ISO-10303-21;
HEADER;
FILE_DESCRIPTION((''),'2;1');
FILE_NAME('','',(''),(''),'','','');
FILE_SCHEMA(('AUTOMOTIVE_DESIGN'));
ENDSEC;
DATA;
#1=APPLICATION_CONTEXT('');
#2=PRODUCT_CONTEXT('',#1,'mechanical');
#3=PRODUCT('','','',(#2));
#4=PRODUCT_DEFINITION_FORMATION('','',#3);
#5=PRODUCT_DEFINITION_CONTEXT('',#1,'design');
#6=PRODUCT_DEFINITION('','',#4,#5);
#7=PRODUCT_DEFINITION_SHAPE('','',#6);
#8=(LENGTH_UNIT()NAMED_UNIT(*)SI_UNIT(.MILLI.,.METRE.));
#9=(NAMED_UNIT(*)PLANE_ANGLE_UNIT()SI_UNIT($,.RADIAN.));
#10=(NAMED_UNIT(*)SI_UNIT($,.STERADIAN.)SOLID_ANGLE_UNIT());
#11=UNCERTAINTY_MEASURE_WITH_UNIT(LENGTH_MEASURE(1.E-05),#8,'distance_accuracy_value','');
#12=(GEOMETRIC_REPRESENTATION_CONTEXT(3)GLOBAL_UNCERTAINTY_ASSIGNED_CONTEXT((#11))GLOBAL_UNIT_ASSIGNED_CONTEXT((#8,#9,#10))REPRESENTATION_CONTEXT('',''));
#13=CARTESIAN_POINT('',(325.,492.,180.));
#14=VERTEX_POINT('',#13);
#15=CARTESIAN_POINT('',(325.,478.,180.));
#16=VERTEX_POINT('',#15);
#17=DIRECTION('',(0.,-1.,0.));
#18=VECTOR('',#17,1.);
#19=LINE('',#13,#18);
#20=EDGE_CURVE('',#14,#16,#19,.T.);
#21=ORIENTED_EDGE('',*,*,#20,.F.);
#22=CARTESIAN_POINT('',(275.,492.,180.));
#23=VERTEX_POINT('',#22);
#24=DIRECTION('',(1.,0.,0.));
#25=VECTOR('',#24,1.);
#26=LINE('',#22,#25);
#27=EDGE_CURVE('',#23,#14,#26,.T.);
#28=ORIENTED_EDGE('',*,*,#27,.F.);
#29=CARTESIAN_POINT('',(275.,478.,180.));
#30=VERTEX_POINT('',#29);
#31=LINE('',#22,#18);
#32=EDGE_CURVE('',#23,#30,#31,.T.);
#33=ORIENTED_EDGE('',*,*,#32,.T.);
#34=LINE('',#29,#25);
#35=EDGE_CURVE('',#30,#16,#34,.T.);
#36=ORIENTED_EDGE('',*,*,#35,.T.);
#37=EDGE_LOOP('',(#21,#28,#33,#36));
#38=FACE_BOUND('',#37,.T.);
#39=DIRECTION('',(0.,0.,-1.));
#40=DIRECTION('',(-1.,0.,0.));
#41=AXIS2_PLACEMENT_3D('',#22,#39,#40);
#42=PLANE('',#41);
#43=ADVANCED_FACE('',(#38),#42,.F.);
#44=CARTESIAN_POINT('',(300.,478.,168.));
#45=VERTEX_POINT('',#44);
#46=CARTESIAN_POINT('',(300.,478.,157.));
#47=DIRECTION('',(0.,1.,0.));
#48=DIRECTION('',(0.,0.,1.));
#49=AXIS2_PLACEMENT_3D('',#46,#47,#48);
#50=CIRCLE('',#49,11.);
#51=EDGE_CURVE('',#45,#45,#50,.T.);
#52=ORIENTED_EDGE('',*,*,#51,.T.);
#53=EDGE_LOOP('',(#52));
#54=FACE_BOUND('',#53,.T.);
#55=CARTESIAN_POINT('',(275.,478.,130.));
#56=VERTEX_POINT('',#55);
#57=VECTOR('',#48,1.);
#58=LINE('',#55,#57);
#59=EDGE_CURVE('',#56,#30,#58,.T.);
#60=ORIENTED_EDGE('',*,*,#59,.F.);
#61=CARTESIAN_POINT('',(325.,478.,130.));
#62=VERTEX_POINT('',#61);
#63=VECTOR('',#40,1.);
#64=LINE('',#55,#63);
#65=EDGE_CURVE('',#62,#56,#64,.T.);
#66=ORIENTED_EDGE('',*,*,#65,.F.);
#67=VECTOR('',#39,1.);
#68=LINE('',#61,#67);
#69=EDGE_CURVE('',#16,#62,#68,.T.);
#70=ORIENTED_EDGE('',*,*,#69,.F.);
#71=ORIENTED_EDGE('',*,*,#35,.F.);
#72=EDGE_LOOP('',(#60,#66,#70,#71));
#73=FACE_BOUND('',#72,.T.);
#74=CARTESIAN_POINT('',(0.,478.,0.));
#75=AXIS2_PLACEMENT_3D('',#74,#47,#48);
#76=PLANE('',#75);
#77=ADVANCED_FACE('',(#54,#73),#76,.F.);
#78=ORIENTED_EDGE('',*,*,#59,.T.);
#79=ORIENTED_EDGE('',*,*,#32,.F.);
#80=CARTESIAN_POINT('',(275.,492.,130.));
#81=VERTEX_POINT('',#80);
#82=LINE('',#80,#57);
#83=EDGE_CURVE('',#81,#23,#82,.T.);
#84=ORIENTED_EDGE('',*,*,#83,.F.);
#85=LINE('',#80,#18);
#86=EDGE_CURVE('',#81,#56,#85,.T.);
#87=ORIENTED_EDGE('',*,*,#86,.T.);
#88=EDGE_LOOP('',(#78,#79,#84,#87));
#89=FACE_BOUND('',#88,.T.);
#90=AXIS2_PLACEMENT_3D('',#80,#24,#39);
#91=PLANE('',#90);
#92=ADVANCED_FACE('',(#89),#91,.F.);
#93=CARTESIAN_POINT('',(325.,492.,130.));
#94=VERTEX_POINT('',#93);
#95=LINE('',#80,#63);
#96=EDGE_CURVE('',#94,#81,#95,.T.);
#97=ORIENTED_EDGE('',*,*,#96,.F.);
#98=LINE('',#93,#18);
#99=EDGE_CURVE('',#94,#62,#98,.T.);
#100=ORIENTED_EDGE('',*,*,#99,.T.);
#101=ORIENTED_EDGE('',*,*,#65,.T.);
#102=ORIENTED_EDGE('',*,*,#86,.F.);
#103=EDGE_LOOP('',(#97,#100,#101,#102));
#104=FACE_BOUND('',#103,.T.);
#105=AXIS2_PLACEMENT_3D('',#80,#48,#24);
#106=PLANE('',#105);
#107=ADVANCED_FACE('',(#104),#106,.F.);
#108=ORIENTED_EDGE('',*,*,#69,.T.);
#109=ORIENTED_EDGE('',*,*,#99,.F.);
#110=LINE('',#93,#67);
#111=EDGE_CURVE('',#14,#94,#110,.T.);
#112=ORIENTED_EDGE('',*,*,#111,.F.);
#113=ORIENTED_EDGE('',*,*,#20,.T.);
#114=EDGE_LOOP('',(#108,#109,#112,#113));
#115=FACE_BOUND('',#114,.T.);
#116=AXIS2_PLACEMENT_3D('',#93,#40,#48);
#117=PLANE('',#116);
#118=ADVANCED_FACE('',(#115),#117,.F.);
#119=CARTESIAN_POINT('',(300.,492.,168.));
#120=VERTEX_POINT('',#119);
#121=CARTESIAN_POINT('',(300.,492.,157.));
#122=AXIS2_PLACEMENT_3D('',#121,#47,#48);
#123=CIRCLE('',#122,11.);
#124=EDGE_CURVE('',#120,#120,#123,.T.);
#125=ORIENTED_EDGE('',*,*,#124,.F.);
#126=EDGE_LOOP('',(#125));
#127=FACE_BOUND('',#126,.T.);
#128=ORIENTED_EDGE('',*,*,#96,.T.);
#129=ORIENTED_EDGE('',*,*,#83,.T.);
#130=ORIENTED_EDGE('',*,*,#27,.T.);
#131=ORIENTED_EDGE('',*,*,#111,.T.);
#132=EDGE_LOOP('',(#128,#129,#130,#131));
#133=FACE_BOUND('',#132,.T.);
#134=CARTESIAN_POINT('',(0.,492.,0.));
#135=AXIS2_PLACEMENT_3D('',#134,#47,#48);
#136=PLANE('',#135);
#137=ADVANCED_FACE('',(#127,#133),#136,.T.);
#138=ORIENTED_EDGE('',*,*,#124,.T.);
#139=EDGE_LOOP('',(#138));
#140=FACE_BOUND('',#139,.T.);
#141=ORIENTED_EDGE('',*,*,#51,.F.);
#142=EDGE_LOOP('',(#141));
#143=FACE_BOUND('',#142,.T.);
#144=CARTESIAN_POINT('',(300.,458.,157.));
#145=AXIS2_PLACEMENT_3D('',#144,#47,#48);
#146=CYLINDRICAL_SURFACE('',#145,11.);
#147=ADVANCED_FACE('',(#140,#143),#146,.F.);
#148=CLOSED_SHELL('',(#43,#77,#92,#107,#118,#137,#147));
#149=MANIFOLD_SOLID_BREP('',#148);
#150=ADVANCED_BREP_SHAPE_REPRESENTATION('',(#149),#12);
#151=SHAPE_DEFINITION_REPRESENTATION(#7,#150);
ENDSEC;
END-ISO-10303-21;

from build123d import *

# Parameters (mm, degrees)
SKETCH1_W           = 50
SKETCH1_H           = 50
BOSS_EXTRUDE1_DEPTH = 14
SKETCH2_R           = 11
CUT_EXTRUDE1_DEPTH  = 34


with BuildPart() as part:
    # Sketch1 → Boss-Extrude1 (new body)
    with BuildSketch(Plane(origin=(0, 478, 0), x_dir=(1, 0, 0), z_dir=(0, 1, 0))):
        with Locations((300, -155)):
            Rectangle(SKETCH1_W, SKETCH1_H)
    extrude(amount=BOSS_EXTRUDE1_DEPTH)

    # Sketch2 → Cut-Extrude1 (cut)
    with BuildSketch(Plane(origin=(0, 492, 0), x_dir=(1, 0, 0), z_dir=(0, 1, 0))):
        with Locations(Location((300, -157, 0), (0, 0, 270))):
            Circle(SKETCH2_R)
    extrude(amount=-CUT_EXTRUDE1_DEPTH, mode=Mode.SUBTRACT)


solid = part.part
